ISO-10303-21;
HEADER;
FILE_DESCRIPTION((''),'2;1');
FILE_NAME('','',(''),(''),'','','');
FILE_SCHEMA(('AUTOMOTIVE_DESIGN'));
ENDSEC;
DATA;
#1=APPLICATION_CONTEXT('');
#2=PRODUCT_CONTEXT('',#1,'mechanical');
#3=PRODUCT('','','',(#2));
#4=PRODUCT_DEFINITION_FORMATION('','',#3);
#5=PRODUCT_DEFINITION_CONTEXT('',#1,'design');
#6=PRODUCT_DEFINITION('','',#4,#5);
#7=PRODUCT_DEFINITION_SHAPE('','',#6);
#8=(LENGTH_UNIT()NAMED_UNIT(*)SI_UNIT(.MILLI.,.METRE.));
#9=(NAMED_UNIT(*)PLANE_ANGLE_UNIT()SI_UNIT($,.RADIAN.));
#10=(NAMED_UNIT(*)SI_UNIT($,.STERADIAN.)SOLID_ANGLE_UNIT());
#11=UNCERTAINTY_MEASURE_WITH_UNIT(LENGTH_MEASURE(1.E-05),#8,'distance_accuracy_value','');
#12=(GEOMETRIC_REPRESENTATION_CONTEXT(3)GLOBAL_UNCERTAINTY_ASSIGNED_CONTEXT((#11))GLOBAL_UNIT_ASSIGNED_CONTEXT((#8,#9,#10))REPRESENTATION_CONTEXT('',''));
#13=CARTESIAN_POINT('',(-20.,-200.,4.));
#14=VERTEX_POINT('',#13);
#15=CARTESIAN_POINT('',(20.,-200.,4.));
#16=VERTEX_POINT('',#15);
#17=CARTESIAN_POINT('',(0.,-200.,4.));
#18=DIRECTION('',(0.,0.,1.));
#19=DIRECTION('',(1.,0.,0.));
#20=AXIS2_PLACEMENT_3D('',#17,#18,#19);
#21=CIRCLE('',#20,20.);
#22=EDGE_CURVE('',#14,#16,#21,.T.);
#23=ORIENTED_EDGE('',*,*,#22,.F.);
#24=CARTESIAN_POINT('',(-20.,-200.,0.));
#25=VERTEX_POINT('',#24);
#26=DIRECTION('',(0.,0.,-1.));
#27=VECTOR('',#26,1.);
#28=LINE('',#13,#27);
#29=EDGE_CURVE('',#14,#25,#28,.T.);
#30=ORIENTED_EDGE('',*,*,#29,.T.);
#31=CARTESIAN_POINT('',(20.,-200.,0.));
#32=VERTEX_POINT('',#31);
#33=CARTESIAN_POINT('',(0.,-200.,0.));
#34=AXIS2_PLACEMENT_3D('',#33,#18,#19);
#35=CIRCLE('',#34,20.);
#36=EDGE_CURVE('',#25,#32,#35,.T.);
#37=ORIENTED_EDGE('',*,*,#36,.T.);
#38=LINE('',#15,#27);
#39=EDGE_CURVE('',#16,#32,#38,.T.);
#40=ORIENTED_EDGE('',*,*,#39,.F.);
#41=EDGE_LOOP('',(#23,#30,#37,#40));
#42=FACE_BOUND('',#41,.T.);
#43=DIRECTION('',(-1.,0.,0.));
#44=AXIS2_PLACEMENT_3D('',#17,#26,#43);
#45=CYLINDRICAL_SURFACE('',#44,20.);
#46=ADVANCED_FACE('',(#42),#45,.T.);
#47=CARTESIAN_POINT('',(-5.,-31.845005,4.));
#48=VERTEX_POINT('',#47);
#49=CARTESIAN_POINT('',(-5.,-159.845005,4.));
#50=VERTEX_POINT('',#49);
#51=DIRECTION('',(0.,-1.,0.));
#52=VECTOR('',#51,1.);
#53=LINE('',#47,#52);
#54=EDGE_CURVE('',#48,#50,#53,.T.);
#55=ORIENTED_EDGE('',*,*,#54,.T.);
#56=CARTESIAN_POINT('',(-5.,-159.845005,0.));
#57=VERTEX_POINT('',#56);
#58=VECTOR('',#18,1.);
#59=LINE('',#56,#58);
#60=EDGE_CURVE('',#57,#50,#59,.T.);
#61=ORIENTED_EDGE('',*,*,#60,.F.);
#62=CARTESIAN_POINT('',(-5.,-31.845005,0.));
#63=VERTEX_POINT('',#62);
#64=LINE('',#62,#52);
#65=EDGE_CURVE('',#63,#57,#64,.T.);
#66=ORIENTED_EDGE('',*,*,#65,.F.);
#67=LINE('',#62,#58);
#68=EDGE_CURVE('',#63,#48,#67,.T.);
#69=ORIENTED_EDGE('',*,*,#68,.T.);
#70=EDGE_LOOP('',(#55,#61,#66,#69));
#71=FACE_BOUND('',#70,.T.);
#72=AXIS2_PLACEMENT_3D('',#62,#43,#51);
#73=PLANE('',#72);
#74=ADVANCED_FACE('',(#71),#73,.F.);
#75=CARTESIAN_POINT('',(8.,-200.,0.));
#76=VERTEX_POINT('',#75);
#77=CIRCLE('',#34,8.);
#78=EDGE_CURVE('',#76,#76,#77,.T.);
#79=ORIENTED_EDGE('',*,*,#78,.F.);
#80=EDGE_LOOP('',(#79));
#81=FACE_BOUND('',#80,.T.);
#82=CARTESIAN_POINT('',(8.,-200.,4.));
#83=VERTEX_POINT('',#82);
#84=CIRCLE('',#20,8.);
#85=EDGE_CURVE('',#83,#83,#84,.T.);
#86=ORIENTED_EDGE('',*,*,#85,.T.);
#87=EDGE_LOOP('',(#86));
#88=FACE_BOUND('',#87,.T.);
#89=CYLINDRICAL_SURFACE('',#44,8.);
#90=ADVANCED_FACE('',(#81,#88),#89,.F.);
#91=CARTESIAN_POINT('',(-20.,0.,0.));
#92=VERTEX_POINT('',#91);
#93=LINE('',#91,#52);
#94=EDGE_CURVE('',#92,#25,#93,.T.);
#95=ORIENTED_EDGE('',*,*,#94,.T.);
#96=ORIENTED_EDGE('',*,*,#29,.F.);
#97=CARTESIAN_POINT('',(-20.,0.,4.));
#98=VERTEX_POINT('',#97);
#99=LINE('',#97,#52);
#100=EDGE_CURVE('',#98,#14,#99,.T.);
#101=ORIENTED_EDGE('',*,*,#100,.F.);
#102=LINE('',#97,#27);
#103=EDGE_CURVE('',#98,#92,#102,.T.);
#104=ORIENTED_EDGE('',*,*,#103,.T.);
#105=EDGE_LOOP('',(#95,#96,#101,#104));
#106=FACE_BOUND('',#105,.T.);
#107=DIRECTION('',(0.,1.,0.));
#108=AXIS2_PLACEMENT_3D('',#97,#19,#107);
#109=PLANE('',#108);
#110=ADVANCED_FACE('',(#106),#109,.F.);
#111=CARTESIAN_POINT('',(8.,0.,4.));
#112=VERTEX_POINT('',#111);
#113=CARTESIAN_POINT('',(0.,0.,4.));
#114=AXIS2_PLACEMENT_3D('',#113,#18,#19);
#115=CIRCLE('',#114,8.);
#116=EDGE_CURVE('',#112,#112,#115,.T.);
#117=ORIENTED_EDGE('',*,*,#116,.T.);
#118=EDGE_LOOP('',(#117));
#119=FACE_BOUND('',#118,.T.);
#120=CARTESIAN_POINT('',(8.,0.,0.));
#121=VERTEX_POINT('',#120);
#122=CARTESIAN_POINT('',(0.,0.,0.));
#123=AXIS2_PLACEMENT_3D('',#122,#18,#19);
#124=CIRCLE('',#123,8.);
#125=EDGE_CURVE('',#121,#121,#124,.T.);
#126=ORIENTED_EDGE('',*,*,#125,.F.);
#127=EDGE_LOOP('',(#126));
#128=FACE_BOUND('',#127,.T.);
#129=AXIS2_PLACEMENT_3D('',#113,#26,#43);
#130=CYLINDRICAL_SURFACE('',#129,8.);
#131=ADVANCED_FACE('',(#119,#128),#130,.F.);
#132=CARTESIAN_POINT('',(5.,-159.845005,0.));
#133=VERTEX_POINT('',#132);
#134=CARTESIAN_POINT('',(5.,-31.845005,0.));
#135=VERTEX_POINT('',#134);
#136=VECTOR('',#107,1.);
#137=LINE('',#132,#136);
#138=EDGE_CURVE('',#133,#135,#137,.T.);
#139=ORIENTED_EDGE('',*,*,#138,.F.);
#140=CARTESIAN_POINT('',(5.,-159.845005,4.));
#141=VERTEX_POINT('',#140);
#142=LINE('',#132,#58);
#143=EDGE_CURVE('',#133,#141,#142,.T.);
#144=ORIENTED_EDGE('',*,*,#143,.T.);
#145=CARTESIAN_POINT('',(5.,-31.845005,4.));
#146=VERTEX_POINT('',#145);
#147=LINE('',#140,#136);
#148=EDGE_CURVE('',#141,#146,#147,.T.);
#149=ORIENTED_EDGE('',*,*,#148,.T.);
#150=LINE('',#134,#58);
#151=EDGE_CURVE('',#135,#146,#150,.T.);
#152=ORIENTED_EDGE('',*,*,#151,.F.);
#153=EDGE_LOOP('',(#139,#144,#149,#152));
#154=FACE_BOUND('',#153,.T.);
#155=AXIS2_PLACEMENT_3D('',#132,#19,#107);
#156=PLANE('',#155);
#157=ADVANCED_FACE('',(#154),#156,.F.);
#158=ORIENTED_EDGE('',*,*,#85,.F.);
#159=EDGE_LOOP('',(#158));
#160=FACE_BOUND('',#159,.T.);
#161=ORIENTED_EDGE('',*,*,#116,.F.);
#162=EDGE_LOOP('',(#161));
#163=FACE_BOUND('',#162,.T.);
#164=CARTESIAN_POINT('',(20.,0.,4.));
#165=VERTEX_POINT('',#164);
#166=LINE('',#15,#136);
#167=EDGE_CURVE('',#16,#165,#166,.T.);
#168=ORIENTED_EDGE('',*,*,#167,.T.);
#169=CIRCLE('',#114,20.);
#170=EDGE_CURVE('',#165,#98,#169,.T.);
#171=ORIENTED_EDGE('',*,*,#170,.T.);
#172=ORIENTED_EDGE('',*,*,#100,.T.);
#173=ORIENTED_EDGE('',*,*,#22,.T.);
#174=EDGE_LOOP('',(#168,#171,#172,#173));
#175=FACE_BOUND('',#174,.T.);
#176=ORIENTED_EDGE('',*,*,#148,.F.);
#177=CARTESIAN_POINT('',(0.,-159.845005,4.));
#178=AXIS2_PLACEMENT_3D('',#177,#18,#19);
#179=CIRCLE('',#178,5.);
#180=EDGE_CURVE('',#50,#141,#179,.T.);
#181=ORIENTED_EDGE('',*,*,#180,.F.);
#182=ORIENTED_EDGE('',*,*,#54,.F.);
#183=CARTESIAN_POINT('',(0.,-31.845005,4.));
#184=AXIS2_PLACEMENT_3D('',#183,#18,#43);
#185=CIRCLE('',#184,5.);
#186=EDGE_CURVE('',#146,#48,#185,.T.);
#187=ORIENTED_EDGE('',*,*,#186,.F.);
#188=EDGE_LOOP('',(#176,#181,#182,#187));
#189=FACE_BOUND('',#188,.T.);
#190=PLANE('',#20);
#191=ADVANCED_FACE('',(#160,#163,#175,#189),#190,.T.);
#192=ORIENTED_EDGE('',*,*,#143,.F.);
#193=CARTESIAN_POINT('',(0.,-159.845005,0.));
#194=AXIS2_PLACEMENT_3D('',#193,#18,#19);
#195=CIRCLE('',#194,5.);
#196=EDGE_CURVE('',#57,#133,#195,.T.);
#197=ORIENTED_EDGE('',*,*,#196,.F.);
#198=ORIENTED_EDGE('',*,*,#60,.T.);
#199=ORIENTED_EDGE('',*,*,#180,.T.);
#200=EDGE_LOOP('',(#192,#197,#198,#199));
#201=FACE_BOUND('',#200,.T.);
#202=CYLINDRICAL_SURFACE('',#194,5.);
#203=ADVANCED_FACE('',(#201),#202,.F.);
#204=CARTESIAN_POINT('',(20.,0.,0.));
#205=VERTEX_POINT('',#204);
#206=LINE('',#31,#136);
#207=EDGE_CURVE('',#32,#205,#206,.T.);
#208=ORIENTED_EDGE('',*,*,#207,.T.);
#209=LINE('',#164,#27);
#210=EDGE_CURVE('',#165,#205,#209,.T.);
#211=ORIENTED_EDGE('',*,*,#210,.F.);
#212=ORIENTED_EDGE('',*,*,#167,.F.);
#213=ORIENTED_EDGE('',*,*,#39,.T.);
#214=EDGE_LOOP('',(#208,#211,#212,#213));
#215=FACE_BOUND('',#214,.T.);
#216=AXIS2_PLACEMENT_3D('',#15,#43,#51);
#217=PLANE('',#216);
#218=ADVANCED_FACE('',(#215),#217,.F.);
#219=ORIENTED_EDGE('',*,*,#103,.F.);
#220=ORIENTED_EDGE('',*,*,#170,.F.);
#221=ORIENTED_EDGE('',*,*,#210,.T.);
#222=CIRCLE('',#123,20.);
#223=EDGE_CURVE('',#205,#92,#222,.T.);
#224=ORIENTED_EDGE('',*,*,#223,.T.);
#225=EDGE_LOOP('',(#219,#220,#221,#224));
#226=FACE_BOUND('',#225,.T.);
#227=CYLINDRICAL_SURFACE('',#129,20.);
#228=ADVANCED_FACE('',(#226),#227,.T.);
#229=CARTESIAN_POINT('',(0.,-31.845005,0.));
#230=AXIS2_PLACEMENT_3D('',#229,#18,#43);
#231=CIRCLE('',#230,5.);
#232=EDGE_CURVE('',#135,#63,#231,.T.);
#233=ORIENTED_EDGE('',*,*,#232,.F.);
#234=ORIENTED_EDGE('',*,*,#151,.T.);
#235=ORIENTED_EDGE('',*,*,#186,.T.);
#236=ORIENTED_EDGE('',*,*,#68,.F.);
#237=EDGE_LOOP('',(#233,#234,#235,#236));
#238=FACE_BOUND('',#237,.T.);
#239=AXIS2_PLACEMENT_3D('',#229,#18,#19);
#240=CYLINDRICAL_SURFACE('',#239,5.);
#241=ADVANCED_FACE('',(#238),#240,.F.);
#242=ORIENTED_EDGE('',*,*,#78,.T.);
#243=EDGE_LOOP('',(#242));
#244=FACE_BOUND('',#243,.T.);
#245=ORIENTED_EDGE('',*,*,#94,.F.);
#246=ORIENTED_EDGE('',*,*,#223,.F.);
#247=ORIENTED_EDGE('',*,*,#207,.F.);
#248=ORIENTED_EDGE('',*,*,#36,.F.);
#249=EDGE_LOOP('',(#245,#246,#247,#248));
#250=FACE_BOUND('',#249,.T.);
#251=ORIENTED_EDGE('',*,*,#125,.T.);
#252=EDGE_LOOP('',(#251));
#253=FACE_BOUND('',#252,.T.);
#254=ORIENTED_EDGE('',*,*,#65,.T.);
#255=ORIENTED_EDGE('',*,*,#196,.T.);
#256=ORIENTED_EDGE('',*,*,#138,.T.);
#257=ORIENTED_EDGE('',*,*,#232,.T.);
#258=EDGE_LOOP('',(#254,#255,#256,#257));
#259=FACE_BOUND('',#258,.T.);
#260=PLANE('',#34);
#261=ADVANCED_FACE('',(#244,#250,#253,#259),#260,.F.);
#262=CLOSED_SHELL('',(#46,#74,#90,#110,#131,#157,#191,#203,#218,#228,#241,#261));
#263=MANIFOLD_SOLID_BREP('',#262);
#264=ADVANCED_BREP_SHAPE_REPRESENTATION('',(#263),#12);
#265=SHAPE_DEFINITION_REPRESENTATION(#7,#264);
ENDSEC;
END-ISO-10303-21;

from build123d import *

# Parameters (mm, degrees)
SKETCH_1_R          = 8
EXTRUDE_1_DEPTH     = 4
CUT_EXTRUDE_2_DEPTH = 221.943431674


with BuildPart() as part:
    # 草图1 → 凸台-拉伸1 (new body)
    with BuildSketch(Plane.XY):
        with BuildLine():
            Line((-20, 0), (-20, -200))
            ThreePointArc((-20, -200), (0, -220), (20, -200))
            Line((20, -200), (20, 0))
            ThreePointArc((20, 0), (0, 20), (-20, 0))
        make_face()
        Circle(SKETCH_1_R, mode=Mode.SUBTRACT)
        with Locations((0, -200)):
            Circle(SKETCH_1_R, mode=Mode.SUBTRACT)
    extrude(amount=EXTRUDE_1_DEPTH)

    # 草图2 → 切除-拉伸2 (cut, through all)
    with BuildSketch(Plane.XY.offset(4)):
        with BuildLine():
            Line((-5, -31.845004689), (-5, -159.845004689))
            ThreePointArc((-5, -159.845004689), (0, -164.845004689), (5, -159.845004689))
            Line((5, -159.845004689), (5, -31.845004689))
            ThreePointArc((5, -31.845004689), (0, -26.845004689), (-5, -31.845004689))
        make_face()
    extrude(amount=-CUT_EXTRUDE_2_DEPTH, mode=Mode.SUBTRACT)


solid = part.part
